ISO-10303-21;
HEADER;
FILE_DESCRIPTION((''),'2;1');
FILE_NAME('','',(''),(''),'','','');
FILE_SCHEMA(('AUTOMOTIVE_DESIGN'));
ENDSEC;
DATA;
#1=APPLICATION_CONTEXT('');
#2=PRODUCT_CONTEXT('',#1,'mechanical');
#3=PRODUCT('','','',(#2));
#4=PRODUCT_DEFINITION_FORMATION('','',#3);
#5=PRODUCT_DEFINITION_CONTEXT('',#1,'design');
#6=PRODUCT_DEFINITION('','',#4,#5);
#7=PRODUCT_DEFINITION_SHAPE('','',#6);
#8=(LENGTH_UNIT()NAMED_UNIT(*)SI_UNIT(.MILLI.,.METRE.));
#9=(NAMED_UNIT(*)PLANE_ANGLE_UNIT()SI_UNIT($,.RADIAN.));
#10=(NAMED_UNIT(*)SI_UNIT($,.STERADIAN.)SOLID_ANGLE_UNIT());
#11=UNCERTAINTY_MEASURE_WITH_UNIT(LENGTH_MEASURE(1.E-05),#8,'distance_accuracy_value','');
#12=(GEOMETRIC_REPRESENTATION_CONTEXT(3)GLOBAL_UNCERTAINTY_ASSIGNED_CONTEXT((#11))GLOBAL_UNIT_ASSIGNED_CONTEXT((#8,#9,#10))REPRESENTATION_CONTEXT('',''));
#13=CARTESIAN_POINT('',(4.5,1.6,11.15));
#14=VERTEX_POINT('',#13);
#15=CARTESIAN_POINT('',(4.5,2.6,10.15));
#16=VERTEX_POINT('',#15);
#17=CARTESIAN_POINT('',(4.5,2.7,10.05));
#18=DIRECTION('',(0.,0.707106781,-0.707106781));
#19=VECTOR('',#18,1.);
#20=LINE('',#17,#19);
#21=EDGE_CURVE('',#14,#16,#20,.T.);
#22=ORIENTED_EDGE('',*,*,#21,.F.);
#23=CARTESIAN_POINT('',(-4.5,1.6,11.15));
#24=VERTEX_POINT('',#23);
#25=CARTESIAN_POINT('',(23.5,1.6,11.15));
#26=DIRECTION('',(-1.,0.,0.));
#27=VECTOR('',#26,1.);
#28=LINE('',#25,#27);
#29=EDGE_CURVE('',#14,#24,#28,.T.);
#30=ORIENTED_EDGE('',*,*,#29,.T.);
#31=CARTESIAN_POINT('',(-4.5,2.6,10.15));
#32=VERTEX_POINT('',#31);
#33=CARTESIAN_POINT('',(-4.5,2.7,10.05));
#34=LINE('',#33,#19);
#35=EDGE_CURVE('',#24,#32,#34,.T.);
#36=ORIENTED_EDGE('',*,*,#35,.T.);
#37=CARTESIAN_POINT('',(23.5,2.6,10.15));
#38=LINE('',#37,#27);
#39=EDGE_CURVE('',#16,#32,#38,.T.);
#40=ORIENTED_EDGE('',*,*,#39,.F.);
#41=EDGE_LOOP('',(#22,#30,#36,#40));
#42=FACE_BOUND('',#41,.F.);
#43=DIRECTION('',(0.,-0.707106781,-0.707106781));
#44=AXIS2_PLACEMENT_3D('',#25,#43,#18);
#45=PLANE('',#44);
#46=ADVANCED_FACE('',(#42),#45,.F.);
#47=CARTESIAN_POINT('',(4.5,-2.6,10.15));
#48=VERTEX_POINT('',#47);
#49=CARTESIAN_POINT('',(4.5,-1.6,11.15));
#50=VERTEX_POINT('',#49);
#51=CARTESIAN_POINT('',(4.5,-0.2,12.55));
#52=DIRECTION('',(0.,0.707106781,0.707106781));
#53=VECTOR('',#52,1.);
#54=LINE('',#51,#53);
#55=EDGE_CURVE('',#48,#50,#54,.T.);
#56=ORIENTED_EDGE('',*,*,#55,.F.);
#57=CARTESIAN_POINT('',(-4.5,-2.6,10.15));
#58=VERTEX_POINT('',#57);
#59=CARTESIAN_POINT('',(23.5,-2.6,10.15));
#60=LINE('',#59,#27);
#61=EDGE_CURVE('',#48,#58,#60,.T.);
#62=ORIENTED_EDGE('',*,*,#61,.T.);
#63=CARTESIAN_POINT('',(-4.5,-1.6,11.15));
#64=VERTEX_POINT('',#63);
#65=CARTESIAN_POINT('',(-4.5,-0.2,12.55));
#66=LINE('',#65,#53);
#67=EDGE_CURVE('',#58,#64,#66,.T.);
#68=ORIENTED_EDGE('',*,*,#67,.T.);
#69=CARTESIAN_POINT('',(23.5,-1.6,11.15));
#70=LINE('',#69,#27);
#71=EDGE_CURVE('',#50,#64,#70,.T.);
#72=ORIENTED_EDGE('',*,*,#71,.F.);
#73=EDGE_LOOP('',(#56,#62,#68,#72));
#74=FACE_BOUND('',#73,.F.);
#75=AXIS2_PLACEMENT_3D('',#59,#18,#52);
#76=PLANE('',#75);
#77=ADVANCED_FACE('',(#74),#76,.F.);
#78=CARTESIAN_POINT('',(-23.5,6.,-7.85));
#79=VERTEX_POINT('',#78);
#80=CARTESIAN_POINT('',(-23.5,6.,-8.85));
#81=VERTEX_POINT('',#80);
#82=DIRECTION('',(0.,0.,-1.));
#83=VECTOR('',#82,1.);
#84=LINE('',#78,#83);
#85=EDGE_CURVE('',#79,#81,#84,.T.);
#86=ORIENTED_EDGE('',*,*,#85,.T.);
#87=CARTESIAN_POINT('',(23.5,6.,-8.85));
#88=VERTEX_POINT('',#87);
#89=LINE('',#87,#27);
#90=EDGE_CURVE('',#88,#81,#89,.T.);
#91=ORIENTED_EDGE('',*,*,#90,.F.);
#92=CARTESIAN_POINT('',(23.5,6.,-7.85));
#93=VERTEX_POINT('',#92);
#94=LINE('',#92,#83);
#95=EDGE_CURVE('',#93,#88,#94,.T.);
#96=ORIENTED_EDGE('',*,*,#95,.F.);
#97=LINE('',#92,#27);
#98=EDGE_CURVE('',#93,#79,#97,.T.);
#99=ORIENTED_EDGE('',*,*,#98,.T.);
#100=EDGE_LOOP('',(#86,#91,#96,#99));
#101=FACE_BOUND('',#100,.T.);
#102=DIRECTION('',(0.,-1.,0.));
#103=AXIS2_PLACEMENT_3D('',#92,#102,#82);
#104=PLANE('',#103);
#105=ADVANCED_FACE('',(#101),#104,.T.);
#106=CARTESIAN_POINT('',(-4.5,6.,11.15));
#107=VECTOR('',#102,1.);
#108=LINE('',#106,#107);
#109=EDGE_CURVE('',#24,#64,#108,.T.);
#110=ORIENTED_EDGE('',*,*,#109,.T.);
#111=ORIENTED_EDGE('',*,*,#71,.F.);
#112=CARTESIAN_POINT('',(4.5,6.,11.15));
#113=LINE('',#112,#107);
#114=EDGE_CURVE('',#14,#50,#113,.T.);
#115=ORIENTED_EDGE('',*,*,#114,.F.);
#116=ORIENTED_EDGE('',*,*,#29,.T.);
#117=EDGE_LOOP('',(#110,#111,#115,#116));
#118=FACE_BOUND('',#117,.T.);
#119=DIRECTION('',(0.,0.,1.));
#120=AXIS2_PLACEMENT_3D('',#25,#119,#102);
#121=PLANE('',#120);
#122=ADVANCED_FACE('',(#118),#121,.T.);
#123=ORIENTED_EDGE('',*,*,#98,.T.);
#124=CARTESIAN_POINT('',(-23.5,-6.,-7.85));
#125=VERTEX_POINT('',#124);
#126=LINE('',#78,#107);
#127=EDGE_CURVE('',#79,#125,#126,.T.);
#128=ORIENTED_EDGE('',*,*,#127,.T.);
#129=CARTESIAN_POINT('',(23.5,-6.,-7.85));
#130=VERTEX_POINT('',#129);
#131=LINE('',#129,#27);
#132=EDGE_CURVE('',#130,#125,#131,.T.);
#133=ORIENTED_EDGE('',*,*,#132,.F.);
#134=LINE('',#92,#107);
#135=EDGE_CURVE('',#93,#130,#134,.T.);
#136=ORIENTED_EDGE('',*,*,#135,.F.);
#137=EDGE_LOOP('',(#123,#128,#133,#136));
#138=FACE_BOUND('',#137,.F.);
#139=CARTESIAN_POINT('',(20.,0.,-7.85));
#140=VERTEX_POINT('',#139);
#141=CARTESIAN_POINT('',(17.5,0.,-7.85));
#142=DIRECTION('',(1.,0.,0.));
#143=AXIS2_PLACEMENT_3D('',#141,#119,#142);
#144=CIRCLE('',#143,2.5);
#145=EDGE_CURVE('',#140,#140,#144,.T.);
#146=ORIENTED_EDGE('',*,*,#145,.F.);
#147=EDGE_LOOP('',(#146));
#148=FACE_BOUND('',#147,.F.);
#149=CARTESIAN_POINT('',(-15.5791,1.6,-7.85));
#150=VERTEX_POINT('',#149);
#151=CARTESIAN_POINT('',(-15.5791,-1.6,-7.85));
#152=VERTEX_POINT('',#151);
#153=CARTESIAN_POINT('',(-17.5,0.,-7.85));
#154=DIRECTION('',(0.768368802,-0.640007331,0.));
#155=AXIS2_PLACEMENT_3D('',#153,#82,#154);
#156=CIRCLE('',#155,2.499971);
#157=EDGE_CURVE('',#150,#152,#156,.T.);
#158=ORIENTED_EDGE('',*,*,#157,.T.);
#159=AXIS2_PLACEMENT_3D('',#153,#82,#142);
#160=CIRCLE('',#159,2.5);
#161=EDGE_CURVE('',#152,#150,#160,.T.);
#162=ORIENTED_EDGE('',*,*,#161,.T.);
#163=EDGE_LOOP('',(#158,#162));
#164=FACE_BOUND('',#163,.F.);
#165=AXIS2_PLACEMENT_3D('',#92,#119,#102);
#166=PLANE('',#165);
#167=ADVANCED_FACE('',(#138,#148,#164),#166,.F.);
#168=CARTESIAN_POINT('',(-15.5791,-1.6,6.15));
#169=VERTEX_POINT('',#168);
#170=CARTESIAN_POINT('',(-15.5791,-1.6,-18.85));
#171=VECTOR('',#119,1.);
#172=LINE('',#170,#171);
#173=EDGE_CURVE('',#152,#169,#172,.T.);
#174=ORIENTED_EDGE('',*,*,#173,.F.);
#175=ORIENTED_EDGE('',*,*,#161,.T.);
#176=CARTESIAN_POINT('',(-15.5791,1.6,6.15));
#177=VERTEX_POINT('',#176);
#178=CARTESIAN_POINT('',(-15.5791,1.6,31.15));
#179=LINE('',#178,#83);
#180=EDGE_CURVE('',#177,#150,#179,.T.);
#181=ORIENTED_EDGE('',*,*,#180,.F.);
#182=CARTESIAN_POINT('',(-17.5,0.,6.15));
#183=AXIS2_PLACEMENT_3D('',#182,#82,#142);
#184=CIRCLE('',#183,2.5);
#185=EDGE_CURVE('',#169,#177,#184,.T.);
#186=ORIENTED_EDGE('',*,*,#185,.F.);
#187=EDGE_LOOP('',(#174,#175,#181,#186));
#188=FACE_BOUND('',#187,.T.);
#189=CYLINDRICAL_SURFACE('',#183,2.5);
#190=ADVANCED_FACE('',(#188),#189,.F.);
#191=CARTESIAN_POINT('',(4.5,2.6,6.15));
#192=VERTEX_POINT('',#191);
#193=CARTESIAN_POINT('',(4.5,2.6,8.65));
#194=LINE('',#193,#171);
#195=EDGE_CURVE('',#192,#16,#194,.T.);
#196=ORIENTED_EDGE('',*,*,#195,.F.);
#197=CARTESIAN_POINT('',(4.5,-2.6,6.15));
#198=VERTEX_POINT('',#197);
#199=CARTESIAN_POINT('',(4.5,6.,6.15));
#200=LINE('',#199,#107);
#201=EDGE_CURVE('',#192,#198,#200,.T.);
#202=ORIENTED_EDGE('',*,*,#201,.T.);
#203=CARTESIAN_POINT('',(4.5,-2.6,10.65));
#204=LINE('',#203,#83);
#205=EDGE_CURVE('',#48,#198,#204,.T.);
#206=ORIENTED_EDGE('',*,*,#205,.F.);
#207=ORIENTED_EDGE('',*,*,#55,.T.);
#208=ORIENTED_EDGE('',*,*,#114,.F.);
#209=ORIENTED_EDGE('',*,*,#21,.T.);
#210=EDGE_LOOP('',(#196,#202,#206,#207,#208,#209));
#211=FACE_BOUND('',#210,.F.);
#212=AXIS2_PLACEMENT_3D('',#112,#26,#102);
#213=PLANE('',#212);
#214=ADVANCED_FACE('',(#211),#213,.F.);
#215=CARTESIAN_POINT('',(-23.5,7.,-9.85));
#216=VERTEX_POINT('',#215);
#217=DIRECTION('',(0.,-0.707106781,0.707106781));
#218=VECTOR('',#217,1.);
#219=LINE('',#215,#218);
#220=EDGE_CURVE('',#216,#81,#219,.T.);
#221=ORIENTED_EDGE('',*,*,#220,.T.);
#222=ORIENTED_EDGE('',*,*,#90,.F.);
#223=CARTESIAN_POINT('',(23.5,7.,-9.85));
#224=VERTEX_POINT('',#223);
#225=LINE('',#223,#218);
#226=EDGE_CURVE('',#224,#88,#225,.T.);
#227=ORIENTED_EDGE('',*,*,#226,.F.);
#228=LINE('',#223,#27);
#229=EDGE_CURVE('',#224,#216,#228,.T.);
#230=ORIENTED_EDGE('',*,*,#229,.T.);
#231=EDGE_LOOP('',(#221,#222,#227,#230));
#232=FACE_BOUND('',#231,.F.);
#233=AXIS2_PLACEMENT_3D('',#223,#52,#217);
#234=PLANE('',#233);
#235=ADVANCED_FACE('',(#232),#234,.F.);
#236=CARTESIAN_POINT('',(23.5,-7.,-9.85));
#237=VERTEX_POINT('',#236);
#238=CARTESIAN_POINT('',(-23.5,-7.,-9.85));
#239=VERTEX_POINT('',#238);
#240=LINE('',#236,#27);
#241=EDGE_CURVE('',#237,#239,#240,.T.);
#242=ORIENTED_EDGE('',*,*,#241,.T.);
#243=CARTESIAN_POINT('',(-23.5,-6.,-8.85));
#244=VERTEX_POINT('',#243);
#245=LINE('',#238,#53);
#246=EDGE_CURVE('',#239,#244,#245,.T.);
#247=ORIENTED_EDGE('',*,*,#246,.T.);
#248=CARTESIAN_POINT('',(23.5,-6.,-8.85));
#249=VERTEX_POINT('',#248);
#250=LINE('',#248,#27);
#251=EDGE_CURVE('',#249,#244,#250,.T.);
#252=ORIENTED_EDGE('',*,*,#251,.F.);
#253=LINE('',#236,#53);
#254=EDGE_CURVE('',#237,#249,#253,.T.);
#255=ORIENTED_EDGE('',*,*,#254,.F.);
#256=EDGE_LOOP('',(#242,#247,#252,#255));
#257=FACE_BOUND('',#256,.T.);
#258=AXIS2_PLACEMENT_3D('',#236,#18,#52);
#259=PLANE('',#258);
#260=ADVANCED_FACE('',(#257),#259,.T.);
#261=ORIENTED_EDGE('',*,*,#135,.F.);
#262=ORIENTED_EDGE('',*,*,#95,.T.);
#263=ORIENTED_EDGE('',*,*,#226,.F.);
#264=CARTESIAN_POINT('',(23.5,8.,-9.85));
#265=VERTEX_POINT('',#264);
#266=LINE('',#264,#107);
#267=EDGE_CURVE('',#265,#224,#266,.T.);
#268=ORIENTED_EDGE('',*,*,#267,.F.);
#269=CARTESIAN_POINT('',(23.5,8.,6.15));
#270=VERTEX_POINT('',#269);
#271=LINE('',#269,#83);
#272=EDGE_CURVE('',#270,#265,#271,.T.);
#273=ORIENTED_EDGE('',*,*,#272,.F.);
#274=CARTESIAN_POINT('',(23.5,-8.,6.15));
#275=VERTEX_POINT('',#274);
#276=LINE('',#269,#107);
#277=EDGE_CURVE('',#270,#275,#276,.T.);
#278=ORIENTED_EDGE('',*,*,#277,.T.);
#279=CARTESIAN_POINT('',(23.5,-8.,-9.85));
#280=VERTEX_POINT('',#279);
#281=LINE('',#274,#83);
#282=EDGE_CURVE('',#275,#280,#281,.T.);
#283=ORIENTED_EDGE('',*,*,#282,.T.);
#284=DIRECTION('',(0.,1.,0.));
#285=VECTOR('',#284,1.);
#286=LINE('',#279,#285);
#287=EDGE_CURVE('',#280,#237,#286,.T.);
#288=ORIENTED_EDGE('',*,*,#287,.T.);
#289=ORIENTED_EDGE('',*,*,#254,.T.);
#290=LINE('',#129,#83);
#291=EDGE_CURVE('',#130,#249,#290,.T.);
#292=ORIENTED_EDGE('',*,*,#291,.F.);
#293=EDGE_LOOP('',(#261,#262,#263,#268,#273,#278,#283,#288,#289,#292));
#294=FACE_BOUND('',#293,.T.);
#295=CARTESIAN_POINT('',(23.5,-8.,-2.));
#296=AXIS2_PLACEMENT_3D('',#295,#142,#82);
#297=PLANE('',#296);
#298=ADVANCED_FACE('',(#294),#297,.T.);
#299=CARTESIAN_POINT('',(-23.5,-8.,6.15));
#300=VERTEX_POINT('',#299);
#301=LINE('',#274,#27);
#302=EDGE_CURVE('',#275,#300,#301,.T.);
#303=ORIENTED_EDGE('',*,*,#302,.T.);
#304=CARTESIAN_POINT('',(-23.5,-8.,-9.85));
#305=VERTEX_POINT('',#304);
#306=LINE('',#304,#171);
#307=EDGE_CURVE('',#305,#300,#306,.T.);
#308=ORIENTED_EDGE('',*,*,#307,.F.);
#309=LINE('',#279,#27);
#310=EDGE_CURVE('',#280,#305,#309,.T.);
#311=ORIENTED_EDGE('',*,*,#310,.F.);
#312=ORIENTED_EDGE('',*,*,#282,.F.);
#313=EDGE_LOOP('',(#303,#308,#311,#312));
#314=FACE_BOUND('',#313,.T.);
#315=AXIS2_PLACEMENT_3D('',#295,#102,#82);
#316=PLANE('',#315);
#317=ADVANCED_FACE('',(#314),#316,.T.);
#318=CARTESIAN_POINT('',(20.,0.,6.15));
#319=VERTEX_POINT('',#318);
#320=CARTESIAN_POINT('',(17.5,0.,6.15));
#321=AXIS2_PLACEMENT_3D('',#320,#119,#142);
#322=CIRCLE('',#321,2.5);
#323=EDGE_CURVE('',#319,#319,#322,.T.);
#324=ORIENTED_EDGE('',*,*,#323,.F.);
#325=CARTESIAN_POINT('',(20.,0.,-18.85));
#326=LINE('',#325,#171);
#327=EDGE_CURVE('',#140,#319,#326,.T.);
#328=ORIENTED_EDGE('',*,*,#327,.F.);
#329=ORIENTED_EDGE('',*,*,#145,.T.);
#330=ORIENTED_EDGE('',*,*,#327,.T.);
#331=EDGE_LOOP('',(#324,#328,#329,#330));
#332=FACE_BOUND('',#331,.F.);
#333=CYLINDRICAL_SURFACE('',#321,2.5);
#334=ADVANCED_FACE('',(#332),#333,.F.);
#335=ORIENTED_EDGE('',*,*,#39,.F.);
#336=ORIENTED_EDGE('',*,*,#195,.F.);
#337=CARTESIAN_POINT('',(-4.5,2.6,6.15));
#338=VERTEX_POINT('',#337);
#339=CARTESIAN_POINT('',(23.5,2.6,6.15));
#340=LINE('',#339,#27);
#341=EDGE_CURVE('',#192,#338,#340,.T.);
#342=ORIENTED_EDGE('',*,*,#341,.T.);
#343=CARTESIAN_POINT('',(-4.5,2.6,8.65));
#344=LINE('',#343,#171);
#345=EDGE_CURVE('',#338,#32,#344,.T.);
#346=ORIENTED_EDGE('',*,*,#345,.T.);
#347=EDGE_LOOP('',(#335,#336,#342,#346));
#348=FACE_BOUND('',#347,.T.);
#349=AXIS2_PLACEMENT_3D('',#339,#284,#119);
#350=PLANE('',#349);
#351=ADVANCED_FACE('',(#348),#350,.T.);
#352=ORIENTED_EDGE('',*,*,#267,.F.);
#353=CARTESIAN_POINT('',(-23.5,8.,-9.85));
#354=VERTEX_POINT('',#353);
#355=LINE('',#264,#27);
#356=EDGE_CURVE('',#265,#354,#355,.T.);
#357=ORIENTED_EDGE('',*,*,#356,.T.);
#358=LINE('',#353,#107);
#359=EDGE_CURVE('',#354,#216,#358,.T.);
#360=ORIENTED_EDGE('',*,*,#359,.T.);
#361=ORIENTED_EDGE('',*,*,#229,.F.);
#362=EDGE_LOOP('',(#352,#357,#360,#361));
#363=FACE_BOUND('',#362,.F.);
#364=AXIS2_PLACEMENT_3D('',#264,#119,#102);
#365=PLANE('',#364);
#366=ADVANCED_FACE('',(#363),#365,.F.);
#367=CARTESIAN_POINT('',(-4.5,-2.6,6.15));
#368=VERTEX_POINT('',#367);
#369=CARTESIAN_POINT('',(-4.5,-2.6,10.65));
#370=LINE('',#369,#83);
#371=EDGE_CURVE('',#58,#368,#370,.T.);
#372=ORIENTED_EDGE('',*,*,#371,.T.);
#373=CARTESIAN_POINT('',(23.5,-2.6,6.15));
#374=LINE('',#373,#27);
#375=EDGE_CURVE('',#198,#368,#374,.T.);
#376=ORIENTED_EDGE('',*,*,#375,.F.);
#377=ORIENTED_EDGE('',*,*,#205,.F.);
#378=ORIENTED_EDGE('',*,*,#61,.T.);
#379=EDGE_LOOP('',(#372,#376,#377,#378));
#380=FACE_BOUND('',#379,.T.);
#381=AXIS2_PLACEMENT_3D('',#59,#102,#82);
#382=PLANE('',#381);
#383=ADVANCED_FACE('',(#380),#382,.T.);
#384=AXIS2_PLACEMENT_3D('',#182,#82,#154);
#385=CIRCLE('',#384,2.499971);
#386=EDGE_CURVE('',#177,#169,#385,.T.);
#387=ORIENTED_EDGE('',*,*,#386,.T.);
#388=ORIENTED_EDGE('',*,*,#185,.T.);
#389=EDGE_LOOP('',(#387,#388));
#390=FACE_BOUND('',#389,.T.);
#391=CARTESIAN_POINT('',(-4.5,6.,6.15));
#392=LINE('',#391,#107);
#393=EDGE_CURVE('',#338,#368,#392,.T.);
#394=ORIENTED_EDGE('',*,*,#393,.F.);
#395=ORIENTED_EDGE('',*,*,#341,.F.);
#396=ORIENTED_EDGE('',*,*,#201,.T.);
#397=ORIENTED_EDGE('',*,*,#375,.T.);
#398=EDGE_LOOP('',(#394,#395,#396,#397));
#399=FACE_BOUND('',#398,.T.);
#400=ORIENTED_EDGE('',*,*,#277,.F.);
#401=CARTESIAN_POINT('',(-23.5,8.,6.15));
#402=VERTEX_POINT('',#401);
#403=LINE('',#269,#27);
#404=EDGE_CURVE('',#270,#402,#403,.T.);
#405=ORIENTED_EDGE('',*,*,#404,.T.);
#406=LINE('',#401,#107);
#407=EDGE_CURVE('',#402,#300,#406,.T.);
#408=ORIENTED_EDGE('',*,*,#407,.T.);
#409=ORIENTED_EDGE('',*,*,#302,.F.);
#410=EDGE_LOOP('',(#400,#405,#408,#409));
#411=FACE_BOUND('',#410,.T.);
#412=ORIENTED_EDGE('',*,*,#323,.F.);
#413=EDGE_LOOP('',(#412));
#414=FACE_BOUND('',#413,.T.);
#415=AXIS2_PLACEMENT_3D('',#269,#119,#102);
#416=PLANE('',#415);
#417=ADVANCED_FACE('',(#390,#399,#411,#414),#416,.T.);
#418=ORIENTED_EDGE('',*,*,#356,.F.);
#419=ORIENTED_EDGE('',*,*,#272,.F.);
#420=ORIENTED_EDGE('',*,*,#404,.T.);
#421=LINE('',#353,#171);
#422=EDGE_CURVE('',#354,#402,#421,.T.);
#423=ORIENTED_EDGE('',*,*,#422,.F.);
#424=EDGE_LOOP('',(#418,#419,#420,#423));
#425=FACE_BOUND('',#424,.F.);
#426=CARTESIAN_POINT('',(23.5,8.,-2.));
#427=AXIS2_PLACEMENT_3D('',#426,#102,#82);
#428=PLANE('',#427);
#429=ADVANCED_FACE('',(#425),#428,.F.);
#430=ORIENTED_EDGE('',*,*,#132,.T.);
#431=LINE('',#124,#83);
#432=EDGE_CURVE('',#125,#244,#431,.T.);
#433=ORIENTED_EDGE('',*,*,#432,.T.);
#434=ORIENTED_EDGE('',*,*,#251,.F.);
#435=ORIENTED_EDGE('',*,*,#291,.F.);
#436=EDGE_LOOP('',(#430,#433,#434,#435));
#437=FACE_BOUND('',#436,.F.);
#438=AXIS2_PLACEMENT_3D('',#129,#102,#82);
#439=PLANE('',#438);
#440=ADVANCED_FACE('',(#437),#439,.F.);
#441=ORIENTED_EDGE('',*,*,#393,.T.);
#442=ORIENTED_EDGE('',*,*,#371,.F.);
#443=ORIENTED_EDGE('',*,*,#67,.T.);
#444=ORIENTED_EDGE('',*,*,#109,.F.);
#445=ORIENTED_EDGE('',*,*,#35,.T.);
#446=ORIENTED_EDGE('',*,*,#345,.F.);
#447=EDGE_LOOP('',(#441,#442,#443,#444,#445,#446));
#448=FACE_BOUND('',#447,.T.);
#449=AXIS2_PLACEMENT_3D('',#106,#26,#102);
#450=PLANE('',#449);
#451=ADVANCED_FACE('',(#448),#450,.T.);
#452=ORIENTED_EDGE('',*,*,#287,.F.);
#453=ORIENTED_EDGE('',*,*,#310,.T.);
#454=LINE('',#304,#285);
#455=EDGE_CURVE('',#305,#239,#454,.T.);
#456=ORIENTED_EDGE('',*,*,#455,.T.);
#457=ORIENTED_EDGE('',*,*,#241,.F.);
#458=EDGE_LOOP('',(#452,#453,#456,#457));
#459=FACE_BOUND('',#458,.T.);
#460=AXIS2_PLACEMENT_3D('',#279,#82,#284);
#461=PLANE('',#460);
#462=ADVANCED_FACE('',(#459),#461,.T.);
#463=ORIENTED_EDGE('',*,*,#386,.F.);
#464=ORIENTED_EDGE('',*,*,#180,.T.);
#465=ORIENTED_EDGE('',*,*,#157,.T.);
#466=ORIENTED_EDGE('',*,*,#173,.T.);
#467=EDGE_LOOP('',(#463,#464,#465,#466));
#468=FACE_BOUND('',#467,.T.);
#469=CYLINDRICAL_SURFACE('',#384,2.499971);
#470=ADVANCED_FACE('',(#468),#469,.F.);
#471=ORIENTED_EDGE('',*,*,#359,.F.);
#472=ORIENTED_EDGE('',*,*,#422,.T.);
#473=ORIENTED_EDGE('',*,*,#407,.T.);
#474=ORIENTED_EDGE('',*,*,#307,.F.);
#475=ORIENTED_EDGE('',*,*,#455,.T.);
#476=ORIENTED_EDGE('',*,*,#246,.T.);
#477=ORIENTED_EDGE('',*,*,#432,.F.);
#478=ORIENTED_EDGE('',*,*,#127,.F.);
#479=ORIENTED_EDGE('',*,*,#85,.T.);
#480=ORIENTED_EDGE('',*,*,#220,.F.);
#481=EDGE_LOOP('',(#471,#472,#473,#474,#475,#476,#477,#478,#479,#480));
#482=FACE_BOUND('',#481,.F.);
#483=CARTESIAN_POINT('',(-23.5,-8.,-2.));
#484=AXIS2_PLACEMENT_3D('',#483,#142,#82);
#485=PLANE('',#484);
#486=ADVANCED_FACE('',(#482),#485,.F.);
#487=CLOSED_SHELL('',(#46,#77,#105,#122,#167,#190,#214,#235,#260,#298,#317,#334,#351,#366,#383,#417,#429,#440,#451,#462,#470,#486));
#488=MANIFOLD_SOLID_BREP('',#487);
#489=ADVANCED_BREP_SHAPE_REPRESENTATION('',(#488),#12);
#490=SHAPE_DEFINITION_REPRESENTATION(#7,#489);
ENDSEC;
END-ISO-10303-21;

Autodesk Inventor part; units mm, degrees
ref_plane "YZ Plane" through (0, 0, 0) normal (1, 0, 0) x (0, 1, 0)
ref_plane "XZ Plane" through (0, 0, 0) normal (0, 1, 0) x (-1, 0, 0)
ref_plane "XY Plane" through (0, 0, 0) normal (0, 0, 1) x (1, 0, 0)
ref_plane "작업 평면1" through (23.5, -8, -2) normal (1, 0, 0) x (0, 0, -1)
sketch "스케치1" plane through (23.5, -8, -2) normal (1, 0, 0) x (0, 0, -1)
  line L0 (0, 16) -> (-8.15, 16) projected
  line L1 (-8.15, 16) -> (-8.15, 10.6) projected
  line L2 (-8.15, 10.6) -> (-12.15, 10.6) projected
  line L3 (-13.15, 9.6) -> (-12.15, 10.6) projected
  line L4 (-13.15, 9.6) -> (-13.15, 6.4) projected
  line L5 (-12.15, 5.4) -> (-13.15, 6.4) projected
  line L6 (-12.15, 5.4) -> (-8.15, 5.4) projected
  line L7 (-8.15, 5.4) -> (-8.15, 0) projected
  line L8 (-8.15, 0) -> (0, 0) projected
  line L9 (0, 16) -> (7.85, 16)
  line L10 (7.85, 16) -> (7.85, 15)
  line L11 (7.85, 15) -> (6.85, 14)
  line L12 (5.85, 14) -> (5.85, 2)
  line L13 (5.85, 14) -> (6.85, 14)
  line L14 (0, 0) -> (7.85, 0)
  line L15 (7.85, 0) -> (7.85, 1)
  line L16 (7.85, 1) -> (6.85, 2)
  line L17 (5.85, 2) -> (6.85, 2)
  line L18 (0, 16) -> (-8.15, 16)
  line L19 (-8.15, 10.6) -> (-12.15, 10.6) projected
  line L20 (-8.15, 10.6) -> (-12.15, 10.6)
  line L21 (-12.15, 10.6) -> (-13.15, 9.6)
  line L22 (-13.15, 6.4) -> (-12.15, 5.4)
  point P0 (-2, 8)
  dimension "d1" = 7.85
sketch "스케치2" plane through (-23.5, 8, 6.15) normal (0, 0, 1) x (1, 0, 0)
  arc A0 (7.9209, -9.6) -> (7.9209, -6.4) centre (6, -8) ccw projected
  line L0 (39.0791, -9.6) -> (7.9209, -9.6) projected
  circle A1 centre (6, -8) radius 2.5
  circle A2 centre (41, -8) radius 2.5 projected
  circle A3 centre (41, -8) radius 2.5
  point P0 (23.5, -8)
  point P1 (7.9209, -6.4)
extrude "돌출1" add sketch "스케치1" against normal up to surface (47 mm away)
extrude "돌출2" cut sketch "스케치2" along normal mid plane 50
sketch "스케치3" plane through (-15.5791, 1.6, 11.15) normal (0, 0, 1) x (1, 0, 0)
  line L0 (15.5791, -14.4593) -> (15.5791, 15.5737)
  line L1 (-7.9209, 4.4) -> (-7.9209, -7.6) projected
  line L2 (-7.9209, 4.4) -> (11.0791, 4.4)
  line L3 (11.0791, 4.4) -> (11.0791, -7.6)
  line L4 (11.0791, -7.6) -> (-7.9209, -7.6)
  line L5 (-7.9209, -7.6) -> (-7.9209, 4.4)
  line L6 (39.0791, 4.4) -> (39.0791, -7.6)
  line L7 (39.0791, 4.4) -> (20.0791, 4.4)
  line L8 (20.0791, 4.4) -> (20.0791, -7.6)
  line L9 (20.0791, -7.6) -> (39.0791, -7.6)
  line L10 (39.0791, -7.6) -> (39.0791, 4.4)
  point P0 (15.5791, -1.6)
  dimension "d9" = 19
extrude "돌출3" cut sketch "스케치3" against normal up to surface (5 mm away)
properties part number "Bearing Spacer_1.5mmUP"
